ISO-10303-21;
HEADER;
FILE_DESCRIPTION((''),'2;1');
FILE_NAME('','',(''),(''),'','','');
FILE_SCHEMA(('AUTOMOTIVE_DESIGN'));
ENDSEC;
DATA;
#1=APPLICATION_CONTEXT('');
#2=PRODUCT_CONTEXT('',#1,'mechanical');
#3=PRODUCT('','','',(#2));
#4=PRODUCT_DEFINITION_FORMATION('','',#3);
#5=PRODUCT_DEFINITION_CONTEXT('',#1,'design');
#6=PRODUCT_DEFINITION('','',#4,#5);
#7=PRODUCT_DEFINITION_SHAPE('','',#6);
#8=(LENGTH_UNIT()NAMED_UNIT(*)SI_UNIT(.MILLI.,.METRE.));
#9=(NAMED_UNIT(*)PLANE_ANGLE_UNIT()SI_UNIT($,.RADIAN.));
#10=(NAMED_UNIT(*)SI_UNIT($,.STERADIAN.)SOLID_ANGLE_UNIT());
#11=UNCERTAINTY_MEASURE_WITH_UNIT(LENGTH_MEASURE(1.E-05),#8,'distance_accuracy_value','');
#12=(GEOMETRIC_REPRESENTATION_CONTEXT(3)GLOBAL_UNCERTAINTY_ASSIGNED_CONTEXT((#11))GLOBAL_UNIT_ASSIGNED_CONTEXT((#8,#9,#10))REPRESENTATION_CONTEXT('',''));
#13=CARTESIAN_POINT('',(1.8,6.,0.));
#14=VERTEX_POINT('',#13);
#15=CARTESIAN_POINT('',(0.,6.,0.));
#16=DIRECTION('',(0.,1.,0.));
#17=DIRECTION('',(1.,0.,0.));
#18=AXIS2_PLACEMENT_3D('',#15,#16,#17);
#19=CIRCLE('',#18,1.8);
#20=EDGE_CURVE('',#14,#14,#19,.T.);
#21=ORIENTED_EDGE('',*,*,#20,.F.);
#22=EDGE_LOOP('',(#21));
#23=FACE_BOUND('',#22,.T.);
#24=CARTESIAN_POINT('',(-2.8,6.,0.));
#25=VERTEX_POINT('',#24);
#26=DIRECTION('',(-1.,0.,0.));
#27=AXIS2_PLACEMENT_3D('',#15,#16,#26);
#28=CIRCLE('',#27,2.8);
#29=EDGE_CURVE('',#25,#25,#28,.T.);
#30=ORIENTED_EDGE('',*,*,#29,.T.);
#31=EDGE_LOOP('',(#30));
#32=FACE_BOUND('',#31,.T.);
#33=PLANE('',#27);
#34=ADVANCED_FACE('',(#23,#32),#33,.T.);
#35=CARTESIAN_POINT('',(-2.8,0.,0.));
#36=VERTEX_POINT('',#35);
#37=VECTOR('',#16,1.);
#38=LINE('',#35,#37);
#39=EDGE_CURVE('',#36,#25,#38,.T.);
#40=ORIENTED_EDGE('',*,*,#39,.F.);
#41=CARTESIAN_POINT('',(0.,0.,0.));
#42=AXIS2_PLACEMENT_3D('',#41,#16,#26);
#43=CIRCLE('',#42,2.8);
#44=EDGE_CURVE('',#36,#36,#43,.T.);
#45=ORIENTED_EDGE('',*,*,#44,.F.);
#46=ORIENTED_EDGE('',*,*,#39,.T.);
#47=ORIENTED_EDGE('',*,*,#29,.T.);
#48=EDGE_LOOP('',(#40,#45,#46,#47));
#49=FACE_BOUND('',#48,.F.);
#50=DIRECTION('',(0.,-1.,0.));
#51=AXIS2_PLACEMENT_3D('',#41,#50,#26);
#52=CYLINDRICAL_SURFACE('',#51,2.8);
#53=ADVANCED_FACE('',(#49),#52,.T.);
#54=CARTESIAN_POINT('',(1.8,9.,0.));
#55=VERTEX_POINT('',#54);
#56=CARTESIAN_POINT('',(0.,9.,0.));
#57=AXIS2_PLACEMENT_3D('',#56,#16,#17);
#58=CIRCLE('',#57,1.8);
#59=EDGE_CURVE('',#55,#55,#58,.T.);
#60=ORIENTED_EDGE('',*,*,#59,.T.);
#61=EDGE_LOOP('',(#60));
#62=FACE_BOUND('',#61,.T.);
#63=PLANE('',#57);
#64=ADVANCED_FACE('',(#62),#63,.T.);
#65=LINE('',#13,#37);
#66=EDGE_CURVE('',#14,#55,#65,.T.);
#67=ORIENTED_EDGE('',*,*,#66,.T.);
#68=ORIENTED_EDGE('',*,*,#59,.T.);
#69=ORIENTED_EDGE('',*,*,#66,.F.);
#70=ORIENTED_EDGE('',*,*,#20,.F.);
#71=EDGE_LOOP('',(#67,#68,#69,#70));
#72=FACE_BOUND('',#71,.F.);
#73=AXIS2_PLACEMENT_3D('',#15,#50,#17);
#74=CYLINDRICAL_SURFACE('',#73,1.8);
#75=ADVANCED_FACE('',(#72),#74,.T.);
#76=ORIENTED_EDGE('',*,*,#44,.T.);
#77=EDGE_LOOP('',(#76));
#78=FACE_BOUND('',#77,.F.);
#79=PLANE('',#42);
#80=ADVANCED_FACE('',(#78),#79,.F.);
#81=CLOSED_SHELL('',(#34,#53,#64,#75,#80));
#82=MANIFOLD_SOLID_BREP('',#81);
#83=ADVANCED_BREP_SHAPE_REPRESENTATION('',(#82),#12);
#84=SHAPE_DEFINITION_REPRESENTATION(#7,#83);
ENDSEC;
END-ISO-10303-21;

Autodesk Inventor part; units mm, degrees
ref_plane "YZ Plane" through (0, 0, 0) normal (1, 0, 0) x (0, 1, 0)
ref_plane "XZ Plane" through (0, 0, 0) normal (0, 1, 0) x (-1, 0, 0)
ref_plane "XY Plane" through (0, 0, 0) normal (0, 0, 1) x (1, 0, 0)
sketch "Эскиз1" plane through (0, 0, 0) normal (0, 1, 0) x (-1, 0, 0)
  circle A0 centre (0, 0) radius 2.8
  dimension "d0" = 5.6
extrude "Выдавливание1" add sketch "Эскиз1" along normal blind 6
sketch "Эскиз2" plane through (0, 6, 0) normal (0, 1, 0) x (1, 0, 0)
  circle A0 centre (0, 0) radius 2.8 projected
  circle A1 centre (0, 0) radius 1.8
  dimension "d3" = 3.6
extrude "Выдавливание2" add sketch "Эскиз2" along normal blind 3 contours A1
properties part number "btn"
